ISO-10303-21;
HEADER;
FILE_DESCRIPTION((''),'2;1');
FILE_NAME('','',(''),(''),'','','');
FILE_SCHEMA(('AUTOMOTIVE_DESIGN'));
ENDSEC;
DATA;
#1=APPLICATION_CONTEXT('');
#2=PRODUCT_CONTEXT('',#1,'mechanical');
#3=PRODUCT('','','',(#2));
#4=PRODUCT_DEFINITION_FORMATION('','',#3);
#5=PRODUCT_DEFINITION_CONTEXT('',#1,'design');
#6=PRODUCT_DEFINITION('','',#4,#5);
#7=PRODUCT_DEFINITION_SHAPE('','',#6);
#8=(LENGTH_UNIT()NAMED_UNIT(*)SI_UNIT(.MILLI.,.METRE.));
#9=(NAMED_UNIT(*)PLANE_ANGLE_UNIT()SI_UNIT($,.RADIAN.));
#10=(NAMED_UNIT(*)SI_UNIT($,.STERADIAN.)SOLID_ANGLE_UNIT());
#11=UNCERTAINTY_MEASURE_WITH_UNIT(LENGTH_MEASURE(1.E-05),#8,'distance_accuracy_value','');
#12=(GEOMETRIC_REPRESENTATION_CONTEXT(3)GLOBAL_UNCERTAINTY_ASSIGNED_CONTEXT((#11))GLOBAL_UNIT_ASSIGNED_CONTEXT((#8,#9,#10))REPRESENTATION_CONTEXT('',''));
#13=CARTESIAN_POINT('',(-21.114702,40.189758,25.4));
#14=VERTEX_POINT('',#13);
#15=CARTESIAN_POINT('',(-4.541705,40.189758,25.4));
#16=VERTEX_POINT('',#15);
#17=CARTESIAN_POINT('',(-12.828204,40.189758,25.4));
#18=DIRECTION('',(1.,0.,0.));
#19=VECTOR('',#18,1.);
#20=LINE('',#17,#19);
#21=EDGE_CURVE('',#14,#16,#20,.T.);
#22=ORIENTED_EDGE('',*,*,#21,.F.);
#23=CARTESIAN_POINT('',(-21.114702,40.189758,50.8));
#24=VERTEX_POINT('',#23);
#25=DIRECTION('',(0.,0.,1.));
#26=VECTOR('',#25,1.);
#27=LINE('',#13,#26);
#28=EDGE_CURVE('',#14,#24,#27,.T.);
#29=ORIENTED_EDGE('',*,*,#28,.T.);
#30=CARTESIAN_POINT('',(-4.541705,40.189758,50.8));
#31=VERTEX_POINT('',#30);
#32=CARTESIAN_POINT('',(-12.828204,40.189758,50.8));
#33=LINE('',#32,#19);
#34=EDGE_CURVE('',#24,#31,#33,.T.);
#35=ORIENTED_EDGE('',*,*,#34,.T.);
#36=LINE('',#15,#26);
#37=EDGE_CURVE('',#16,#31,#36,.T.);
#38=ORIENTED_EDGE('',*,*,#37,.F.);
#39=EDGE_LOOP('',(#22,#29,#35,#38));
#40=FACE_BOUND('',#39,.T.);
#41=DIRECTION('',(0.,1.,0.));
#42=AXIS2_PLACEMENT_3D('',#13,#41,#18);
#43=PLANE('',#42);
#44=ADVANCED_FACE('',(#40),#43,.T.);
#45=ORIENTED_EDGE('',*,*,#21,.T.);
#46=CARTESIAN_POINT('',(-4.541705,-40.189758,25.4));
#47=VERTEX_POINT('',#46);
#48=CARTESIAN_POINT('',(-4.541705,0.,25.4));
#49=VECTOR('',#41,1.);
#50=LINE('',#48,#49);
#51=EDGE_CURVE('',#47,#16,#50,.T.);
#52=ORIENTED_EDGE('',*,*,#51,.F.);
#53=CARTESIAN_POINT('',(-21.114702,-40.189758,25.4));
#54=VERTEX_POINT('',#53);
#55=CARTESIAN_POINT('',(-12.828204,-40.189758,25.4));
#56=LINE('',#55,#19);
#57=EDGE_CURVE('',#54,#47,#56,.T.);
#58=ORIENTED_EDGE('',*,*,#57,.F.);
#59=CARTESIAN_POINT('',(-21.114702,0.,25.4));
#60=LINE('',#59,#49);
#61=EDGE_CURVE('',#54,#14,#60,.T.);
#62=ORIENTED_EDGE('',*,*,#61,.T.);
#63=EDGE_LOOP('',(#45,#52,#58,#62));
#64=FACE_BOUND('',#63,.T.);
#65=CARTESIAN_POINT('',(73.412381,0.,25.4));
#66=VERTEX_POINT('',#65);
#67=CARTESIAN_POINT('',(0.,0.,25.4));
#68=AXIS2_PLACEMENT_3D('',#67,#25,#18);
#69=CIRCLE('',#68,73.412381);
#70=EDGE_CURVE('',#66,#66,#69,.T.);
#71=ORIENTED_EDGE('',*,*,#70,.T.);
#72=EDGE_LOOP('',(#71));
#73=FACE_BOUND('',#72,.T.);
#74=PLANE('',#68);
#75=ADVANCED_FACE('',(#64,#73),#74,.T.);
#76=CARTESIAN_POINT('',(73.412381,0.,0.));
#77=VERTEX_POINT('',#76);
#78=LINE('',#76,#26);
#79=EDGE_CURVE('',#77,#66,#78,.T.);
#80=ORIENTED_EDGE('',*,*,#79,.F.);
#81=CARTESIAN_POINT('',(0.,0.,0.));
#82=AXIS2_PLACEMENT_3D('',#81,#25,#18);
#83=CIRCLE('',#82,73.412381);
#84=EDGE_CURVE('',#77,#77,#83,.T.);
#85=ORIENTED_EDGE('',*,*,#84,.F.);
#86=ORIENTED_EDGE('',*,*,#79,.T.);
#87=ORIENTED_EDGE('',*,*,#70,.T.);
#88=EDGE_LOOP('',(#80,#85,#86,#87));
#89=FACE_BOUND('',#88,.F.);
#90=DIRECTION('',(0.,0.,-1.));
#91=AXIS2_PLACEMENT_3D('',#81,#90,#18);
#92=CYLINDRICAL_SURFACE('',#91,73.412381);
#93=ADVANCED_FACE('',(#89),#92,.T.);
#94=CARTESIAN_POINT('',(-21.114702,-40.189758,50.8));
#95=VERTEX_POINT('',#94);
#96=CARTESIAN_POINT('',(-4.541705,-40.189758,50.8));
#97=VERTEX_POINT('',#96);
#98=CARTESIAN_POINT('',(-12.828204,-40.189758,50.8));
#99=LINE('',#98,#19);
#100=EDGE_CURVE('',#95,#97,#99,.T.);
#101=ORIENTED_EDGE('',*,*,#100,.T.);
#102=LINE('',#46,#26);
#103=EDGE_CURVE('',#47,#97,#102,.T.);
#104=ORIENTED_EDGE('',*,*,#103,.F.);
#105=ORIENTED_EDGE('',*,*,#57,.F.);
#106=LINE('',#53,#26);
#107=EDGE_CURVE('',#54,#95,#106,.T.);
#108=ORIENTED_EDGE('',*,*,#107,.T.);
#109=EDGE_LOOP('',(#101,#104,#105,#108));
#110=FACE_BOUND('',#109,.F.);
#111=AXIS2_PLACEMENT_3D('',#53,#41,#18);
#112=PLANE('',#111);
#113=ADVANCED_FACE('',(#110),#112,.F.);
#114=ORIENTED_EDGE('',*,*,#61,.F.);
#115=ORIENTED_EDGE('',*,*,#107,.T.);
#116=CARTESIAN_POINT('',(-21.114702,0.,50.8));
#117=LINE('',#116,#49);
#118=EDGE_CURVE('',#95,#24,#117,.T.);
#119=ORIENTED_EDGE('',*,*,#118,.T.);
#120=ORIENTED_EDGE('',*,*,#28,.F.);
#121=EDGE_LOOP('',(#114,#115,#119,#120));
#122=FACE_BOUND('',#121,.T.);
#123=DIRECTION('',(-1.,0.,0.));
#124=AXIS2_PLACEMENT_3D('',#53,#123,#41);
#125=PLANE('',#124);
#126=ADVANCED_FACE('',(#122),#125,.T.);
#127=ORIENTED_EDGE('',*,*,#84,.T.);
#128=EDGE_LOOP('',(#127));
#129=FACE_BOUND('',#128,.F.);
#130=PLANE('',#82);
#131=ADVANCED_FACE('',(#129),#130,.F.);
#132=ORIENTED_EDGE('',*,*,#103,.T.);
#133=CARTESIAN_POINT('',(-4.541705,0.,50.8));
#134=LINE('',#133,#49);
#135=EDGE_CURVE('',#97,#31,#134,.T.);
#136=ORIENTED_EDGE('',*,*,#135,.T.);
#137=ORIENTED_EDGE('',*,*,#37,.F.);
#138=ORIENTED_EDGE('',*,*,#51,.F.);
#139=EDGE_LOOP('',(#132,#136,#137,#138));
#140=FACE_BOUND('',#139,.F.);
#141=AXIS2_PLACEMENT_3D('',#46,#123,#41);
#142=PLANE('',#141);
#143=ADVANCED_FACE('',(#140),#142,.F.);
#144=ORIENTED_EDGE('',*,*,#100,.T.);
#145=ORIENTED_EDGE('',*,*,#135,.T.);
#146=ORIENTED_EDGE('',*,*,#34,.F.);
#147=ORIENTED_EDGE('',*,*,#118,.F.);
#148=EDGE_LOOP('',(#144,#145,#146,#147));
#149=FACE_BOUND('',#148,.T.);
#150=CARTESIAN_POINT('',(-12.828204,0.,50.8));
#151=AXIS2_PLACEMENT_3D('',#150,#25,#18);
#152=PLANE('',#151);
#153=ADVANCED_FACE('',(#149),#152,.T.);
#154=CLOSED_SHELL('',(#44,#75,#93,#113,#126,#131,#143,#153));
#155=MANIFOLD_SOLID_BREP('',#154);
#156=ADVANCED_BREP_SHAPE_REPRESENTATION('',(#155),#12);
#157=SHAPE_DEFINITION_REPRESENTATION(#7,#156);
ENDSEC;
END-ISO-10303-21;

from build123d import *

# Parameters (mm, degrees)
F0_R     = 73.412381
F1_DEPTH = 25.4
F2_W     = 16.572997
F2_H     = 80.379516
F3_DEPTH = 25.4


with BuildPart() as f1:
    # F0 (on Top) → F1 (new body)
    with BuildSketch(Plane.XY):
        Circle(F0_R)
    extrude(amount=F1_DEPTH)

    # F2 (on face) → F3 (join)
    with BuildSketch(Plane.XY.offset(25.4)):
        with Locations((-12.828204, 0)):
            Rectangle(F2_W, F2_H)
    extrude(amount=F3_DEPTH)


solid = f1.part
